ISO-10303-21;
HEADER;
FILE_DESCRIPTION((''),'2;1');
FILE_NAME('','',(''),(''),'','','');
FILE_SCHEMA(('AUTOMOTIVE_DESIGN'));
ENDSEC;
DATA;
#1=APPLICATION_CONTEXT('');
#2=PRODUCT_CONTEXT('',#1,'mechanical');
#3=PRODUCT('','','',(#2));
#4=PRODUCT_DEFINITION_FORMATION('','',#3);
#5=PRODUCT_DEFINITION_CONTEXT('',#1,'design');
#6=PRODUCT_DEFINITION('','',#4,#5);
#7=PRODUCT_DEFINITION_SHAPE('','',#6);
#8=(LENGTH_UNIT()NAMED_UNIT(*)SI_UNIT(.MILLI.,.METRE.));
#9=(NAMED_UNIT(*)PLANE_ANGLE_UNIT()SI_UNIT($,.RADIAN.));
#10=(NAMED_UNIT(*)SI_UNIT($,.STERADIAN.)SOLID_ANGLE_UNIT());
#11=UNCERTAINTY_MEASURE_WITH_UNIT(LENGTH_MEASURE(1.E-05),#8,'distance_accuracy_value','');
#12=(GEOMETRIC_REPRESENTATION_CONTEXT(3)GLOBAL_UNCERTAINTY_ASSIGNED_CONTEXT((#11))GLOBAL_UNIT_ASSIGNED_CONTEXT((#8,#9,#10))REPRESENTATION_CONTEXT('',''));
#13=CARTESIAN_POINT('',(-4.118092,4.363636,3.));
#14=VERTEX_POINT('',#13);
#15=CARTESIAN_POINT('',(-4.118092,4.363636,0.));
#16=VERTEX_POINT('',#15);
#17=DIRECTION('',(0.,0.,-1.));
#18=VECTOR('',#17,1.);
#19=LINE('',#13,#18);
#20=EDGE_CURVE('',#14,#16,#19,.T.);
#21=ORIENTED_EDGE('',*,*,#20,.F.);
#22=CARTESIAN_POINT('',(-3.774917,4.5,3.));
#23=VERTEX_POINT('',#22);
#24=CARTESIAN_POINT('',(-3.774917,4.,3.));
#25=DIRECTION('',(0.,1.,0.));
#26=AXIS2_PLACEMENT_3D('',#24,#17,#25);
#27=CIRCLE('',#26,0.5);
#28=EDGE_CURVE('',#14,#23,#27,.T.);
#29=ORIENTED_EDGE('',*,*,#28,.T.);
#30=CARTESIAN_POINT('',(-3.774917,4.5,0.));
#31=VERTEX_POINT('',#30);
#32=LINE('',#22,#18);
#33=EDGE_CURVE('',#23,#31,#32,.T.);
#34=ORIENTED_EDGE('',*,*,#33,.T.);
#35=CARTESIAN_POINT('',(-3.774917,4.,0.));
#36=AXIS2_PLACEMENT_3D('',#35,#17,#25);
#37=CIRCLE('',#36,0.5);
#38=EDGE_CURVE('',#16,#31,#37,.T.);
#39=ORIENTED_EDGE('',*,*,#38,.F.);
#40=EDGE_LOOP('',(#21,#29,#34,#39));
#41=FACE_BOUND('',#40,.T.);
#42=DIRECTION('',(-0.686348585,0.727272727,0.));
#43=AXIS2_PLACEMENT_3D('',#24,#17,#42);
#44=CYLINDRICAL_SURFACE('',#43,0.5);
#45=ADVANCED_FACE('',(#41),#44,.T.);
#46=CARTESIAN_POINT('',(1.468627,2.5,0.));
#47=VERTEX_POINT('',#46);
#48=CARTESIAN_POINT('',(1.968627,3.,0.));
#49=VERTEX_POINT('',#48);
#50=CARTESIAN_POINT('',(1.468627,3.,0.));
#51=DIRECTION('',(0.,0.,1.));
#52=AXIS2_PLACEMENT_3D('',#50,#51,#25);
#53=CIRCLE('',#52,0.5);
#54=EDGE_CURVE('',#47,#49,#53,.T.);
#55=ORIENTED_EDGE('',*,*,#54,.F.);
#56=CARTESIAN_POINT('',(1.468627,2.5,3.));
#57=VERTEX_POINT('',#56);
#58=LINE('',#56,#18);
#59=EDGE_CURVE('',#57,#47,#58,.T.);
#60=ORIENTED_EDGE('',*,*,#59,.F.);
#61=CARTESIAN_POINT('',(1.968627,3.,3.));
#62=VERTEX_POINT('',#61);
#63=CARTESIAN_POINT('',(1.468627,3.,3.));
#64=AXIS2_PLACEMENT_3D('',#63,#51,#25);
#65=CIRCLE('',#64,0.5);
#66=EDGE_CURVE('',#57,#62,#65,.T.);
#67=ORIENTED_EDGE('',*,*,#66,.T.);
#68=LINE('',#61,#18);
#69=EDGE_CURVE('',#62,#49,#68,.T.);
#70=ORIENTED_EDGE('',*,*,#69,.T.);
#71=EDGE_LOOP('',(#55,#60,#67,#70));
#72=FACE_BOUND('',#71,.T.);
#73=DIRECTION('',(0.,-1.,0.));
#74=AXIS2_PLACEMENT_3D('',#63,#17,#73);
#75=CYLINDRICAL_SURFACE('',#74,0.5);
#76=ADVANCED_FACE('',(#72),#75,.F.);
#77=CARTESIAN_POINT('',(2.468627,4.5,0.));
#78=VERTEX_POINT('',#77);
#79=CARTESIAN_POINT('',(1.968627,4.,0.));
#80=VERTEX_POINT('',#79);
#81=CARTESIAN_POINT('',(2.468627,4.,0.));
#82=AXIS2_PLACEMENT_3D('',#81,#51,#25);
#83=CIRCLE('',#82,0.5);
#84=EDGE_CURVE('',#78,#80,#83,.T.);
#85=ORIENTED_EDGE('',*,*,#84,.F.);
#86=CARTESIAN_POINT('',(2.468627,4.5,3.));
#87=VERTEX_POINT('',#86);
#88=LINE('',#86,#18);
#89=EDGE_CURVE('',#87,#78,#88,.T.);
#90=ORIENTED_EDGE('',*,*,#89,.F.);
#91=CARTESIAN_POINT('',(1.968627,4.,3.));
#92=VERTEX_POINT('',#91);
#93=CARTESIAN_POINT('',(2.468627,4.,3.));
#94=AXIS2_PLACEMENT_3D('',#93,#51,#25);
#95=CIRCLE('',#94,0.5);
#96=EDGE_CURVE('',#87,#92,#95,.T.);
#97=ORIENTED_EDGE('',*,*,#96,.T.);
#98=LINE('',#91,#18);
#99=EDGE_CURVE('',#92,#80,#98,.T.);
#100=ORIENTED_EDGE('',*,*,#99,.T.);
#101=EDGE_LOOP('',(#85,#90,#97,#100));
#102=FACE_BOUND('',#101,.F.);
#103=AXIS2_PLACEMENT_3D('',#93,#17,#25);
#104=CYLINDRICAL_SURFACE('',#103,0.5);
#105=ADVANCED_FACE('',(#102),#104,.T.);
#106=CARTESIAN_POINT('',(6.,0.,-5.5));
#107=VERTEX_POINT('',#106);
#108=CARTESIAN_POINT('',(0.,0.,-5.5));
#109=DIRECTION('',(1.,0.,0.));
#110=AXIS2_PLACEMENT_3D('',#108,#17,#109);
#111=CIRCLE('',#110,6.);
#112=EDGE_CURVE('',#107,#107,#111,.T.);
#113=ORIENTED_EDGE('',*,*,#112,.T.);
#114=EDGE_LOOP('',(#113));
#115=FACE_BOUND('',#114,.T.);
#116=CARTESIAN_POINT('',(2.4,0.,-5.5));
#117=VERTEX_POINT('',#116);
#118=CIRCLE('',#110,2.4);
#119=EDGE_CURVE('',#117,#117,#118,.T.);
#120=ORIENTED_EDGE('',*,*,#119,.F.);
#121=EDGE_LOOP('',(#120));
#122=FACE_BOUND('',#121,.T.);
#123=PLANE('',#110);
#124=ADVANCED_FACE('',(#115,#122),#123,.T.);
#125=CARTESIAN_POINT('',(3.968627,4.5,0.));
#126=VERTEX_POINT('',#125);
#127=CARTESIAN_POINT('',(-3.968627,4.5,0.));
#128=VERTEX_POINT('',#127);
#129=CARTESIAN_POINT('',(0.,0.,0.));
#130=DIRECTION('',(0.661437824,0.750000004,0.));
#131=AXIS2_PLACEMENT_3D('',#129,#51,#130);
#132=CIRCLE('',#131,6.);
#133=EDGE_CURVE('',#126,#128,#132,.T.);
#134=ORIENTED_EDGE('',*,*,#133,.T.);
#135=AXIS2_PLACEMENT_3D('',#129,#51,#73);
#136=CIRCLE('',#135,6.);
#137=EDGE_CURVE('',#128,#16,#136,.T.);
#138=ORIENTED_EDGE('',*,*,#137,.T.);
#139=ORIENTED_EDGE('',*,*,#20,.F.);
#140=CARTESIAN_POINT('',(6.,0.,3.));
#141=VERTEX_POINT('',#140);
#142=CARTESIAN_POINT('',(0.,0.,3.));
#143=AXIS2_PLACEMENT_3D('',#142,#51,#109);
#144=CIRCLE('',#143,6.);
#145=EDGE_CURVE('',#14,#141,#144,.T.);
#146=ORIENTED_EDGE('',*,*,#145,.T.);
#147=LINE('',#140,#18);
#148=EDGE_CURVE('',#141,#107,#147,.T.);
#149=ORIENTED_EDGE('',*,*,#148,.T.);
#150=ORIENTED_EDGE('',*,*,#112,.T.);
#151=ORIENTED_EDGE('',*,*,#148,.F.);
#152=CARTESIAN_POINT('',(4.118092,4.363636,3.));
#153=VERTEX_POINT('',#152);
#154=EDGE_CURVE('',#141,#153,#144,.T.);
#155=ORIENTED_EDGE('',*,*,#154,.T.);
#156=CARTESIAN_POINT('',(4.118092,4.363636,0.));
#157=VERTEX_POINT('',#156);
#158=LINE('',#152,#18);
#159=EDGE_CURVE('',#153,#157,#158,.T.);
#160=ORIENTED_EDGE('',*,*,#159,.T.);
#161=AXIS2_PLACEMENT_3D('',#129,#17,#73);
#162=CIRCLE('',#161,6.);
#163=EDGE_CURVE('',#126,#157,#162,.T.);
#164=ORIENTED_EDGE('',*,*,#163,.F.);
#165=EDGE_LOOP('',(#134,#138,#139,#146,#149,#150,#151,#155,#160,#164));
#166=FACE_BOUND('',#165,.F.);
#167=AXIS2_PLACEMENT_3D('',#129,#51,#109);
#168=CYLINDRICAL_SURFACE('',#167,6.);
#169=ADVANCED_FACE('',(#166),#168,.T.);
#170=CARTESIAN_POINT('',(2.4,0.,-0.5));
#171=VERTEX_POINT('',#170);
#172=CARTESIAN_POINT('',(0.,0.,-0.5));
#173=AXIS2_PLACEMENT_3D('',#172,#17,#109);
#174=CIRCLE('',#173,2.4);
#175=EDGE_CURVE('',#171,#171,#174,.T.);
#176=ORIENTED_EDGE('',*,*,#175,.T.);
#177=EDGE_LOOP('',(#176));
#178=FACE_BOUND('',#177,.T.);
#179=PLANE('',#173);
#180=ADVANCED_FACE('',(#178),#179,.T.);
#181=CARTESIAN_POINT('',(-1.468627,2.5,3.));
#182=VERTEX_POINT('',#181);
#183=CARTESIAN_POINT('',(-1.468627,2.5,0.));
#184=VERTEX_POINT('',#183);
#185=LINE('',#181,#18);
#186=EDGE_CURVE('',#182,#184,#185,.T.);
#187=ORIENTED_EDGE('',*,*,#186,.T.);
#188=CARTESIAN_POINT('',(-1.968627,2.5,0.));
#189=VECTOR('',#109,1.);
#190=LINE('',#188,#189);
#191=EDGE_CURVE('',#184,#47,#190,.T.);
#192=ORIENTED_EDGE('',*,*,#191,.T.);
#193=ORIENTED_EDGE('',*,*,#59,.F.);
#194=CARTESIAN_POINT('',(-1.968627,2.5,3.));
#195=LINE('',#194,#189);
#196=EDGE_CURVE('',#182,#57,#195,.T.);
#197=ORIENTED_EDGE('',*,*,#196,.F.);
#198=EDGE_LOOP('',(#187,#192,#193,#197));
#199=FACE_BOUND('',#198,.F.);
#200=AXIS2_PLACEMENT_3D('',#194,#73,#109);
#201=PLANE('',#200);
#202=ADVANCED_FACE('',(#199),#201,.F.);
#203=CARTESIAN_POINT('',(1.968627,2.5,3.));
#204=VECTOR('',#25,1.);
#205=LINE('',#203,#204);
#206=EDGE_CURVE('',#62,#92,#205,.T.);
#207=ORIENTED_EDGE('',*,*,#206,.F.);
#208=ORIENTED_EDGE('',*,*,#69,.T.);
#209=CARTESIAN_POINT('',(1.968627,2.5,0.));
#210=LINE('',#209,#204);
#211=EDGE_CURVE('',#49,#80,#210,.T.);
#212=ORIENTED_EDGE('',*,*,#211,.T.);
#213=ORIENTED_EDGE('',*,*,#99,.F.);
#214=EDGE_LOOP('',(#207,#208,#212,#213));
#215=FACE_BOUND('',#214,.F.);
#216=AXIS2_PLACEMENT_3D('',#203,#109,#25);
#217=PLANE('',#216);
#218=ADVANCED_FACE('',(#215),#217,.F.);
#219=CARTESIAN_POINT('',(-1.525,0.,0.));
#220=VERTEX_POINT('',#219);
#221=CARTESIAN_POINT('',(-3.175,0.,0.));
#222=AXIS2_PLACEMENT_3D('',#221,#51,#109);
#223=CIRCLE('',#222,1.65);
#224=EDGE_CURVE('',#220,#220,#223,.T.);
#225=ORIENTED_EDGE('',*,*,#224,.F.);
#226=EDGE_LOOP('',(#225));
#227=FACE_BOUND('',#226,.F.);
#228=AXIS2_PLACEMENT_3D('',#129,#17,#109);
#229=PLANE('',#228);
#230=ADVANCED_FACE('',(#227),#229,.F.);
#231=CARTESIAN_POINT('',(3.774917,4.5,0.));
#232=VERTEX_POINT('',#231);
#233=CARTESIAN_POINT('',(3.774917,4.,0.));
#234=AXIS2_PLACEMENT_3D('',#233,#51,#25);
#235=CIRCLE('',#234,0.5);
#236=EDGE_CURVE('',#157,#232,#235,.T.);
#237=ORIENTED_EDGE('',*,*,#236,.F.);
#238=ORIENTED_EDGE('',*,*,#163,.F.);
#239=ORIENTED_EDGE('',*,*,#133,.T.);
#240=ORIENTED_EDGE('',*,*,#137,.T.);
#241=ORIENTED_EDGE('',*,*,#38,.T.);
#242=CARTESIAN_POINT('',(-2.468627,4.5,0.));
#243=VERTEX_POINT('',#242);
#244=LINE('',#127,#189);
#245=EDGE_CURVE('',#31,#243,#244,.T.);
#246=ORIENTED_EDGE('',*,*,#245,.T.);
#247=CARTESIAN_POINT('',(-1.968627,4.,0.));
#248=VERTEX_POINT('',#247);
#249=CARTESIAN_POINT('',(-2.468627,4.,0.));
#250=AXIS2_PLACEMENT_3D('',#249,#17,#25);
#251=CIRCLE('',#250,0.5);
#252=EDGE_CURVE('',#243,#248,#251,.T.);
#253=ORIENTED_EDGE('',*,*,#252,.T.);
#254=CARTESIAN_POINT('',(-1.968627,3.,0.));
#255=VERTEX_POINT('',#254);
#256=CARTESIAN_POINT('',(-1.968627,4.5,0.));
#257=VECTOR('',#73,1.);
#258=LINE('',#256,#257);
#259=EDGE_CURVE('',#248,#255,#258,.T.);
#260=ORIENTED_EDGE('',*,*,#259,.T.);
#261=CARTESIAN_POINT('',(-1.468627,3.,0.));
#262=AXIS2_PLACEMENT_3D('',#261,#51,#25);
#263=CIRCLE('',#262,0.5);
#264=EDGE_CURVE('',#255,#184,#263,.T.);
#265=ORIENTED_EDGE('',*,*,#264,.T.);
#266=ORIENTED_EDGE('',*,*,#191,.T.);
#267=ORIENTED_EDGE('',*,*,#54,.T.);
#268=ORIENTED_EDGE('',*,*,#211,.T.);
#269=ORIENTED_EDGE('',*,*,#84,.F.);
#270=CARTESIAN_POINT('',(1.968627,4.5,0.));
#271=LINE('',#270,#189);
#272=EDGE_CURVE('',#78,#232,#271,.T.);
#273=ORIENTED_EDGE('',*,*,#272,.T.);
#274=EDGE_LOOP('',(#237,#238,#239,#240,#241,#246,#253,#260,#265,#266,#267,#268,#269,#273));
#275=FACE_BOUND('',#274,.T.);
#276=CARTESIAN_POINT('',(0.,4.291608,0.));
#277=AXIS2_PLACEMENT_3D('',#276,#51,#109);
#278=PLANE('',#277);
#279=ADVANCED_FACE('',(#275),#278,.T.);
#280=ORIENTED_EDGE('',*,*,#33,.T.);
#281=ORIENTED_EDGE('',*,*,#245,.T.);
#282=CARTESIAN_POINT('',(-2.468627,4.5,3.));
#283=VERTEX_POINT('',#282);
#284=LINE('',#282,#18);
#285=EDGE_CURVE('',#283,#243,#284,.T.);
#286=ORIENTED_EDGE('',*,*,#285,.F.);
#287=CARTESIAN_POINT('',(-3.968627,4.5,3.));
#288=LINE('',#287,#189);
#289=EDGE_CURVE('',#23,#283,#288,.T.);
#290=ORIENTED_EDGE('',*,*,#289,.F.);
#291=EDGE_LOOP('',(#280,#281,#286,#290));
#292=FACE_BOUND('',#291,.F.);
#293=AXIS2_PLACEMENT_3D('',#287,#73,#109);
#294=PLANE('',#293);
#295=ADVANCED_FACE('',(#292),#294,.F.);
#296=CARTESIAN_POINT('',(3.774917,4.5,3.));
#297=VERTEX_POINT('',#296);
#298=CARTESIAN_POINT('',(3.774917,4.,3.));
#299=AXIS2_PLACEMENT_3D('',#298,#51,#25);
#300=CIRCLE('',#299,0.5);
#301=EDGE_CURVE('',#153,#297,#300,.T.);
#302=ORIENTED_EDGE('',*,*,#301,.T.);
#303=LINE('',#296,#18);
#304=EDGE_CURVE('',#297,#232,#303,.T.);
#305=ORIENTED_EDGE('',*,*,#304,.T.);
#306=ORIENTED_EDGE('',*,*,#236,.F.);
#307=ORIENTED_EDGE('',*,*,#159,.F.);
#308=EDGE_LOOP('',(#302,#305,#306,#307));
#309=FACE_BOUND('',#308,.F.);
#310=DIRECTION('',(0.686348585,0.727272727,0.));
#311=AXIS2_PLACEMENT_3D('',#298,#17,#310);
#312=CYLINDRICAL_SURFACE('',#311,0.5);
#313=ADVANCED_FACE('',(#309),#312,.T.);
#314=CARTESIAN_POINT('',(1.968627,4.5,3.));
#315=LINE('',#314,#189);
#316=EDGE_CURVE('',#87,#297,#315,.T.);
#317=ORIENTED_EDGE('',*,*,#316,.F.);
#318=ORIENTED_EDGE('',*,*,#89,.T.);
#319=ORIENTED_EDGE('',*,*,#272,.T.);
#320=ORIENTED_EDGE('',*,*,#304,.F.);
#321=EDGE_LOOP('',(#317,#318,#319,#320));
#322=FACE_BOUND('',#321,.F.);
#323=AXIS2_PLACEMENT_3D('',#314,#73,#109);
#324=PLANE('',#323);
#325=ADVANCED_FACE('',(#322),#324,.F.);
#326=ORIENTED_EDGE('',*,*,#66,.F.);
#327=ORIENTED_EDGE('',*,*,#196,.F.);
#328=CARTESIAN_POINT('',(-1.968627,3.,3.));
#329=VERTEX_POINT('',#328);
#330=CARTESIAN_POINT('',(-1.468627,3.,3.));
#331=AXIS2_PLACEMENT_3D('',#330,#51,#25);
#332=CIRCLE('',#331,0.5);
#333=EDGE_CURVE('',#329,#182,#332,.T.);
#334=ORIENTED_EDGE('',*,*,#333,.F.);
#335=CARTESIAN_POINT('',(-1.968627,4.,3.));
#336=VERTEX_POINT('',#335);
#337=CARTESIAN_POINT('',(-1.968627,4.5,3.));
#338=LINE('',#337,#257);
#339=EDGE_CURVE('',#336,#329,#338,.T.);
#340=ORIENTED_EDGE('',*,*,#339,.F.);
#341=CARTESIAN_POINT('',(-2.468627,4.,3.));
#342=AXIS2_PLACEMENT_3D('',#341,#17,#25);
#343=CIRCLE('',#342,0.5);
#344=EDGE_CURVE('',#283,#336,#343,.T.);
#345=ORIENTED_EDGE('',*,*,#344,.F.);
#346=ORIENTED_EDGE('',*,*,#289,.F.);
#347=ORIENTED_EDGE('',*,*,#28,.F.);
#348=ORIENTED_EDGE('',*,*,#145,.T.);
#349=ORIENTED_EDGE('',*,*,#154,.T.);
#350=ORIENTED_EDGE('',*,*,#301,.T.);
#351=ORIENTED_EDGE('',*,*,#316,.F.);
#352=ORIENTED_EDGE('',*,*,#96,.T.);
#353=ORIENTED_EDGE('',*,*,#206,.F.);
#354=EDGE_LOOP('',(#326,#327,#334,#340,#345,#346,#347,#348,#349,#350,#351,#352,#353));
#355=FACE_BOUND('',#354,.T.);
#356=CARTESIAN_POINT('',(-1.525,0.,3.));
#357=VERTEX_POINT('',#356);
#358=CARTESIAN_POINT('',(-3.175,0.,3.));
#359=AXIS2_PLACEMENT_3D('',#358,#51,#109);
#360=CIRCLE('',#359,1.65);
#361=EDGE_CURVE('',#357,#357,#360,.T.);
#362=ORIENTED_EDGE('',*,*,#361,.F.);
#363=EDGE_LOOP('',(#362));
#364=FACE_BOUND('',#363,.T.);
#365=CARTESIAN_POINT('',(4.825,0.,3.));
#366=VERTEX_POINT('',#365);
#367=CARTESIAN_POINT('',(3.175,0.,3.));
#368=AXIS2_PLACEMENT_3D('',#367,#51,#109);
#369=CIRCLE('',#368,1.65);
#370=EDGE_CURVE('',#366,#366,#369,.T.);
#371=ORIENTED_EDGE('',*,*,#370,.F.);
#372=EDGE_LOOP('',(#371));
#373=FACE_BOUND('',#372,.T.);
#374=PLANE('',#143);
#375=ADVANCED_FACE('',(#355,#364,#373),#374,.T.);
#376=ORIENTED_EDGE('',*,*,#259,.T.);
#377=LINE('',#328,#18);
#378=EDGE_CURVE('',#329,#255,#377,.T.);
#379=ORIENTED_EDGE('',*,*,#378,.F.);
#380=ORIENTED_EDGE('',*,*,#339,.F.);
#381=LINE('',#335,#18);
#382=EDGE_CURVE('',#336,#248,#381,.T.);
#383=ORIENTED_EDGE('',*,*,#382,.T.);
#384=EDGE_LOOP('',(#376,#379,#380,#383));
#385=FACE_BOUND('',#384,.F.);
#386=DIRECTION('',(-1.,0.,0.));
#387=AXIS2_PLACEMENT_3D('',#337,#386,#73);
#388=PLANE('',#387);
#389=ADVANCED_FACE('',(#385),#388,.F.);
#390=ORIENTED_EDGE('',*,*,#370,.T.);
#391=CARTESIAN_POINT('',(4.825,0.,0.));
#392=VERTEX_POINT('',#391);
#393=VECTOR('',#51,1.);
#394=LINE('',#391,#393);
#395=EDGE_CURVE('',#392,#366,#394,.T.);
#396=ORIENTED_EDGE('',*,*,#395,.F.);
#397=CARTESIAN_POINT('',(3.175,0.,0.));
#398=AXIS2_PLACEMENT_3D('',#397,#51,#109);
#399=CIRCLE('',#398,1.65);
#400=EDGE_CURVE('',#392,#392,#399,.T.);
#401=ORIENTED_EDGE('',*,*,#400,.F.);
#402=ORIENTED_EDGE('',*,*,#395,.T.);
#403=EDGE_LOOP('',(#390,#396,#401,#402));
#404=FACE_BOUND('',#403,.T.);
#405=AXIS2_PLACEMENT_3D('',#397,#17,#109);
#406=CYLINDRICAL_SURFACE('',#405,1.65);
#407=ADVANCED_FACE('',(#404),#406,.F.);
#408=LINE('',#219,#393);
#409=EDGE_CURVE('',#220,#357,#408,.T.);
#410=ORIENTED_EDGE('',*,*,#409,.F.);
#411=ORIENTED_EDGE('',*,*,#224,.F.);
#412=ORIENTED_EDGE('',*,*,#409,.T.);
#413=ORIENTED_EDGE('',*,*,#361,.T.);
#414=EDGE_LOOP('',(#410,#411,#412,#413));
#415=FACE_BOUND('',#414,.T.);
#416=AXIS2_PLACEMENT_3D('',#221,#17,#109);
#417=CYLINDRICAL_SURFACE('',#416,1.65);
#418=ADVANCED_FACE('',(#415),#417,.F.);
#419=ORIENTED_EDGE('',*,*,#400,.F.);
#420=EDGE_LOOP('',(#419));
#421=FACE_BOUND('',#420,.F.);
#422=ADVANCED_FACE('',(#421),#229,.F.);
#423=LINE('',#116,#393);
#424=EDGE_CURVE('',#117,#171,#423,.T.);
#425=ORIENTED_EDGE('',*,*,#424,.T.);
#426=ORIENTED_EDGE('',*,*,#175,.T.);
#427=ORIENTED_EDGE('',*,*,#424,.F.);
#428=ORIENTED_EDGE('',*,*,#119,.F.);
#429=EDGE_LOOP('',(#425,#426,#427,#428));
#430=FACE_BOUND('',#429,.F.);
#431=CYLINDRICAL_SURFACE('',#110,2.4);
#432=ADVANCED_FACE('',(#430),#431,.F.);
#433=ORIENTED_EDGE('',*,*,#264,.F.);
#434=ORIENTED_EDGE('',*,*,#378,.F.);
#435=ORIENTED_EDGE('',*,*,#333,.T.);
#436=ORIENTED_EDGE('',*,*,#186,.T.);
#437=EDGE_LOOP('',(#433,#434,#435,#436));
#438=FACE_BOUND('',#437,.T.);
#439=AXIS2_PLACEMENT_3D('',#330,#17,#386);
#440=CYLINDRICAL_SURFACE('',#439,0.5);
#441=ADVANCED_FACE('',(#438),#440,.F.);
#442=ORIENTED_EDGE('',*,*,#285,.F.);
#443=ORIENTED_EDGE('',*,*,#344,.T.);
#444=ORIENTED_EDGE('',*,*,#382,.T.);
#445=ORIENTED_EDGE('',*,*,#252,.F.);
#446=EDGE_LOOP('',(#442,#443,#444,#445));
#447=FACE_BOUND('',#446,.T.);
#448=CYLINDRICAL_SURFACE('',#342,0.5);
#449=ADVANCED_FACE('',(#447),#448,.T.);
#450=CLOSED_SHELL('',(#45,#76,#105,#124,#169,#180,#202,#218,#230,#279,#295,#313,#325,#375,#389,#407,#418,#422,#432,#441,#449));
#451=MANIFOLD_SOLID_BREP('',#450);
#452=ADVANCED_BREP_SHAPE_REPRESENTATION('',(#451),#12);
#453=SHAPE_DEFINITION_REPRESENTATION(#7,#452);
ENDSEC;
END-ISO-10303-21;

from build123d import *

# Parameters (mm, degrees)
F0_R     = 6
F0_R_2   = 1.65
F1_DEPTH = 3
F2_R     = 6
F3_DEPTH = 5.5
F5_DEPTH = 3
F6_R     = 0.5
F7_R     = 2.4
F8_DEPTH = 5


with BuildPart() as f1:
    # F0 (on Top) → F1 (new body)
    with BuildSketch(Plane.XY):
        Circle(F0_R)
        with Locations((-3.175, 0)):
            Circle(F0_R_2, mode=Mode.SUBTRACT)
        with Locations((3.175, 0)):
            Circle(F0_R_2, mode=Mode.SUBTRACT)
    extrude(amount=F1_DEPTH)

    # F2 (on face) → F3 (join)
    with BuildSketch(Plane(origin=(0, 0, 0), x_dir=(1, 0, 0), z_dir=(0, 0, -1))):
        Circle(F2_R)
    extrude(amount=F3_DEPTH)

    # F4 (on face) → F5 (cut)
    with BuildSketch(Plane.XY.offset(3)):
        with BuildLine():
            ThreePointArc((3.968627, 4.5), (0, 6), (-3.968627, 4.5))
            Line((-3.968627, 4.5), (-1.968627, 4.5))
            Line((-1.968627, 4.5), (-1.968627, 2.5))
            Line((-1.968627, 2.5), (1.968627, 2.5))
            Line((1.968627, 2.5), (1.968627, 4.5))
            Line((1.968627, 4.5), (3.968627, 4.5))
        make_face()
    extrude(amount=-F5_DEPTH, mode=Mode.SUBTRACT)

    # F6
    f6_edges = [f1.edges().sort_by_distance(p)[0] for p in [
        (-3.968627, 4.5, 1.5),
        (-1.968627, 4.5, 1.5),
        (1.968627, 2.5, 1.5),
        (1.968627, 4.5, 1.5),
        (3.968627, 4.5, 1.5),
        (-1.968627, 2.5, 1.5),
    ]]
    fillet(f6_edges, radius=F6_R)

    # F7 (on face) → F8 (cut)
    with BuildSketch(Plane(origin=(0, 0, -5.5), x_dir=(1, 0, 0), z_dir=(0, 0, -1))):
        Circle(F7_R)
    extrude(amount=-F8_DEPTH, mode=Mode.SUBTRACT)


solid = f1.part
